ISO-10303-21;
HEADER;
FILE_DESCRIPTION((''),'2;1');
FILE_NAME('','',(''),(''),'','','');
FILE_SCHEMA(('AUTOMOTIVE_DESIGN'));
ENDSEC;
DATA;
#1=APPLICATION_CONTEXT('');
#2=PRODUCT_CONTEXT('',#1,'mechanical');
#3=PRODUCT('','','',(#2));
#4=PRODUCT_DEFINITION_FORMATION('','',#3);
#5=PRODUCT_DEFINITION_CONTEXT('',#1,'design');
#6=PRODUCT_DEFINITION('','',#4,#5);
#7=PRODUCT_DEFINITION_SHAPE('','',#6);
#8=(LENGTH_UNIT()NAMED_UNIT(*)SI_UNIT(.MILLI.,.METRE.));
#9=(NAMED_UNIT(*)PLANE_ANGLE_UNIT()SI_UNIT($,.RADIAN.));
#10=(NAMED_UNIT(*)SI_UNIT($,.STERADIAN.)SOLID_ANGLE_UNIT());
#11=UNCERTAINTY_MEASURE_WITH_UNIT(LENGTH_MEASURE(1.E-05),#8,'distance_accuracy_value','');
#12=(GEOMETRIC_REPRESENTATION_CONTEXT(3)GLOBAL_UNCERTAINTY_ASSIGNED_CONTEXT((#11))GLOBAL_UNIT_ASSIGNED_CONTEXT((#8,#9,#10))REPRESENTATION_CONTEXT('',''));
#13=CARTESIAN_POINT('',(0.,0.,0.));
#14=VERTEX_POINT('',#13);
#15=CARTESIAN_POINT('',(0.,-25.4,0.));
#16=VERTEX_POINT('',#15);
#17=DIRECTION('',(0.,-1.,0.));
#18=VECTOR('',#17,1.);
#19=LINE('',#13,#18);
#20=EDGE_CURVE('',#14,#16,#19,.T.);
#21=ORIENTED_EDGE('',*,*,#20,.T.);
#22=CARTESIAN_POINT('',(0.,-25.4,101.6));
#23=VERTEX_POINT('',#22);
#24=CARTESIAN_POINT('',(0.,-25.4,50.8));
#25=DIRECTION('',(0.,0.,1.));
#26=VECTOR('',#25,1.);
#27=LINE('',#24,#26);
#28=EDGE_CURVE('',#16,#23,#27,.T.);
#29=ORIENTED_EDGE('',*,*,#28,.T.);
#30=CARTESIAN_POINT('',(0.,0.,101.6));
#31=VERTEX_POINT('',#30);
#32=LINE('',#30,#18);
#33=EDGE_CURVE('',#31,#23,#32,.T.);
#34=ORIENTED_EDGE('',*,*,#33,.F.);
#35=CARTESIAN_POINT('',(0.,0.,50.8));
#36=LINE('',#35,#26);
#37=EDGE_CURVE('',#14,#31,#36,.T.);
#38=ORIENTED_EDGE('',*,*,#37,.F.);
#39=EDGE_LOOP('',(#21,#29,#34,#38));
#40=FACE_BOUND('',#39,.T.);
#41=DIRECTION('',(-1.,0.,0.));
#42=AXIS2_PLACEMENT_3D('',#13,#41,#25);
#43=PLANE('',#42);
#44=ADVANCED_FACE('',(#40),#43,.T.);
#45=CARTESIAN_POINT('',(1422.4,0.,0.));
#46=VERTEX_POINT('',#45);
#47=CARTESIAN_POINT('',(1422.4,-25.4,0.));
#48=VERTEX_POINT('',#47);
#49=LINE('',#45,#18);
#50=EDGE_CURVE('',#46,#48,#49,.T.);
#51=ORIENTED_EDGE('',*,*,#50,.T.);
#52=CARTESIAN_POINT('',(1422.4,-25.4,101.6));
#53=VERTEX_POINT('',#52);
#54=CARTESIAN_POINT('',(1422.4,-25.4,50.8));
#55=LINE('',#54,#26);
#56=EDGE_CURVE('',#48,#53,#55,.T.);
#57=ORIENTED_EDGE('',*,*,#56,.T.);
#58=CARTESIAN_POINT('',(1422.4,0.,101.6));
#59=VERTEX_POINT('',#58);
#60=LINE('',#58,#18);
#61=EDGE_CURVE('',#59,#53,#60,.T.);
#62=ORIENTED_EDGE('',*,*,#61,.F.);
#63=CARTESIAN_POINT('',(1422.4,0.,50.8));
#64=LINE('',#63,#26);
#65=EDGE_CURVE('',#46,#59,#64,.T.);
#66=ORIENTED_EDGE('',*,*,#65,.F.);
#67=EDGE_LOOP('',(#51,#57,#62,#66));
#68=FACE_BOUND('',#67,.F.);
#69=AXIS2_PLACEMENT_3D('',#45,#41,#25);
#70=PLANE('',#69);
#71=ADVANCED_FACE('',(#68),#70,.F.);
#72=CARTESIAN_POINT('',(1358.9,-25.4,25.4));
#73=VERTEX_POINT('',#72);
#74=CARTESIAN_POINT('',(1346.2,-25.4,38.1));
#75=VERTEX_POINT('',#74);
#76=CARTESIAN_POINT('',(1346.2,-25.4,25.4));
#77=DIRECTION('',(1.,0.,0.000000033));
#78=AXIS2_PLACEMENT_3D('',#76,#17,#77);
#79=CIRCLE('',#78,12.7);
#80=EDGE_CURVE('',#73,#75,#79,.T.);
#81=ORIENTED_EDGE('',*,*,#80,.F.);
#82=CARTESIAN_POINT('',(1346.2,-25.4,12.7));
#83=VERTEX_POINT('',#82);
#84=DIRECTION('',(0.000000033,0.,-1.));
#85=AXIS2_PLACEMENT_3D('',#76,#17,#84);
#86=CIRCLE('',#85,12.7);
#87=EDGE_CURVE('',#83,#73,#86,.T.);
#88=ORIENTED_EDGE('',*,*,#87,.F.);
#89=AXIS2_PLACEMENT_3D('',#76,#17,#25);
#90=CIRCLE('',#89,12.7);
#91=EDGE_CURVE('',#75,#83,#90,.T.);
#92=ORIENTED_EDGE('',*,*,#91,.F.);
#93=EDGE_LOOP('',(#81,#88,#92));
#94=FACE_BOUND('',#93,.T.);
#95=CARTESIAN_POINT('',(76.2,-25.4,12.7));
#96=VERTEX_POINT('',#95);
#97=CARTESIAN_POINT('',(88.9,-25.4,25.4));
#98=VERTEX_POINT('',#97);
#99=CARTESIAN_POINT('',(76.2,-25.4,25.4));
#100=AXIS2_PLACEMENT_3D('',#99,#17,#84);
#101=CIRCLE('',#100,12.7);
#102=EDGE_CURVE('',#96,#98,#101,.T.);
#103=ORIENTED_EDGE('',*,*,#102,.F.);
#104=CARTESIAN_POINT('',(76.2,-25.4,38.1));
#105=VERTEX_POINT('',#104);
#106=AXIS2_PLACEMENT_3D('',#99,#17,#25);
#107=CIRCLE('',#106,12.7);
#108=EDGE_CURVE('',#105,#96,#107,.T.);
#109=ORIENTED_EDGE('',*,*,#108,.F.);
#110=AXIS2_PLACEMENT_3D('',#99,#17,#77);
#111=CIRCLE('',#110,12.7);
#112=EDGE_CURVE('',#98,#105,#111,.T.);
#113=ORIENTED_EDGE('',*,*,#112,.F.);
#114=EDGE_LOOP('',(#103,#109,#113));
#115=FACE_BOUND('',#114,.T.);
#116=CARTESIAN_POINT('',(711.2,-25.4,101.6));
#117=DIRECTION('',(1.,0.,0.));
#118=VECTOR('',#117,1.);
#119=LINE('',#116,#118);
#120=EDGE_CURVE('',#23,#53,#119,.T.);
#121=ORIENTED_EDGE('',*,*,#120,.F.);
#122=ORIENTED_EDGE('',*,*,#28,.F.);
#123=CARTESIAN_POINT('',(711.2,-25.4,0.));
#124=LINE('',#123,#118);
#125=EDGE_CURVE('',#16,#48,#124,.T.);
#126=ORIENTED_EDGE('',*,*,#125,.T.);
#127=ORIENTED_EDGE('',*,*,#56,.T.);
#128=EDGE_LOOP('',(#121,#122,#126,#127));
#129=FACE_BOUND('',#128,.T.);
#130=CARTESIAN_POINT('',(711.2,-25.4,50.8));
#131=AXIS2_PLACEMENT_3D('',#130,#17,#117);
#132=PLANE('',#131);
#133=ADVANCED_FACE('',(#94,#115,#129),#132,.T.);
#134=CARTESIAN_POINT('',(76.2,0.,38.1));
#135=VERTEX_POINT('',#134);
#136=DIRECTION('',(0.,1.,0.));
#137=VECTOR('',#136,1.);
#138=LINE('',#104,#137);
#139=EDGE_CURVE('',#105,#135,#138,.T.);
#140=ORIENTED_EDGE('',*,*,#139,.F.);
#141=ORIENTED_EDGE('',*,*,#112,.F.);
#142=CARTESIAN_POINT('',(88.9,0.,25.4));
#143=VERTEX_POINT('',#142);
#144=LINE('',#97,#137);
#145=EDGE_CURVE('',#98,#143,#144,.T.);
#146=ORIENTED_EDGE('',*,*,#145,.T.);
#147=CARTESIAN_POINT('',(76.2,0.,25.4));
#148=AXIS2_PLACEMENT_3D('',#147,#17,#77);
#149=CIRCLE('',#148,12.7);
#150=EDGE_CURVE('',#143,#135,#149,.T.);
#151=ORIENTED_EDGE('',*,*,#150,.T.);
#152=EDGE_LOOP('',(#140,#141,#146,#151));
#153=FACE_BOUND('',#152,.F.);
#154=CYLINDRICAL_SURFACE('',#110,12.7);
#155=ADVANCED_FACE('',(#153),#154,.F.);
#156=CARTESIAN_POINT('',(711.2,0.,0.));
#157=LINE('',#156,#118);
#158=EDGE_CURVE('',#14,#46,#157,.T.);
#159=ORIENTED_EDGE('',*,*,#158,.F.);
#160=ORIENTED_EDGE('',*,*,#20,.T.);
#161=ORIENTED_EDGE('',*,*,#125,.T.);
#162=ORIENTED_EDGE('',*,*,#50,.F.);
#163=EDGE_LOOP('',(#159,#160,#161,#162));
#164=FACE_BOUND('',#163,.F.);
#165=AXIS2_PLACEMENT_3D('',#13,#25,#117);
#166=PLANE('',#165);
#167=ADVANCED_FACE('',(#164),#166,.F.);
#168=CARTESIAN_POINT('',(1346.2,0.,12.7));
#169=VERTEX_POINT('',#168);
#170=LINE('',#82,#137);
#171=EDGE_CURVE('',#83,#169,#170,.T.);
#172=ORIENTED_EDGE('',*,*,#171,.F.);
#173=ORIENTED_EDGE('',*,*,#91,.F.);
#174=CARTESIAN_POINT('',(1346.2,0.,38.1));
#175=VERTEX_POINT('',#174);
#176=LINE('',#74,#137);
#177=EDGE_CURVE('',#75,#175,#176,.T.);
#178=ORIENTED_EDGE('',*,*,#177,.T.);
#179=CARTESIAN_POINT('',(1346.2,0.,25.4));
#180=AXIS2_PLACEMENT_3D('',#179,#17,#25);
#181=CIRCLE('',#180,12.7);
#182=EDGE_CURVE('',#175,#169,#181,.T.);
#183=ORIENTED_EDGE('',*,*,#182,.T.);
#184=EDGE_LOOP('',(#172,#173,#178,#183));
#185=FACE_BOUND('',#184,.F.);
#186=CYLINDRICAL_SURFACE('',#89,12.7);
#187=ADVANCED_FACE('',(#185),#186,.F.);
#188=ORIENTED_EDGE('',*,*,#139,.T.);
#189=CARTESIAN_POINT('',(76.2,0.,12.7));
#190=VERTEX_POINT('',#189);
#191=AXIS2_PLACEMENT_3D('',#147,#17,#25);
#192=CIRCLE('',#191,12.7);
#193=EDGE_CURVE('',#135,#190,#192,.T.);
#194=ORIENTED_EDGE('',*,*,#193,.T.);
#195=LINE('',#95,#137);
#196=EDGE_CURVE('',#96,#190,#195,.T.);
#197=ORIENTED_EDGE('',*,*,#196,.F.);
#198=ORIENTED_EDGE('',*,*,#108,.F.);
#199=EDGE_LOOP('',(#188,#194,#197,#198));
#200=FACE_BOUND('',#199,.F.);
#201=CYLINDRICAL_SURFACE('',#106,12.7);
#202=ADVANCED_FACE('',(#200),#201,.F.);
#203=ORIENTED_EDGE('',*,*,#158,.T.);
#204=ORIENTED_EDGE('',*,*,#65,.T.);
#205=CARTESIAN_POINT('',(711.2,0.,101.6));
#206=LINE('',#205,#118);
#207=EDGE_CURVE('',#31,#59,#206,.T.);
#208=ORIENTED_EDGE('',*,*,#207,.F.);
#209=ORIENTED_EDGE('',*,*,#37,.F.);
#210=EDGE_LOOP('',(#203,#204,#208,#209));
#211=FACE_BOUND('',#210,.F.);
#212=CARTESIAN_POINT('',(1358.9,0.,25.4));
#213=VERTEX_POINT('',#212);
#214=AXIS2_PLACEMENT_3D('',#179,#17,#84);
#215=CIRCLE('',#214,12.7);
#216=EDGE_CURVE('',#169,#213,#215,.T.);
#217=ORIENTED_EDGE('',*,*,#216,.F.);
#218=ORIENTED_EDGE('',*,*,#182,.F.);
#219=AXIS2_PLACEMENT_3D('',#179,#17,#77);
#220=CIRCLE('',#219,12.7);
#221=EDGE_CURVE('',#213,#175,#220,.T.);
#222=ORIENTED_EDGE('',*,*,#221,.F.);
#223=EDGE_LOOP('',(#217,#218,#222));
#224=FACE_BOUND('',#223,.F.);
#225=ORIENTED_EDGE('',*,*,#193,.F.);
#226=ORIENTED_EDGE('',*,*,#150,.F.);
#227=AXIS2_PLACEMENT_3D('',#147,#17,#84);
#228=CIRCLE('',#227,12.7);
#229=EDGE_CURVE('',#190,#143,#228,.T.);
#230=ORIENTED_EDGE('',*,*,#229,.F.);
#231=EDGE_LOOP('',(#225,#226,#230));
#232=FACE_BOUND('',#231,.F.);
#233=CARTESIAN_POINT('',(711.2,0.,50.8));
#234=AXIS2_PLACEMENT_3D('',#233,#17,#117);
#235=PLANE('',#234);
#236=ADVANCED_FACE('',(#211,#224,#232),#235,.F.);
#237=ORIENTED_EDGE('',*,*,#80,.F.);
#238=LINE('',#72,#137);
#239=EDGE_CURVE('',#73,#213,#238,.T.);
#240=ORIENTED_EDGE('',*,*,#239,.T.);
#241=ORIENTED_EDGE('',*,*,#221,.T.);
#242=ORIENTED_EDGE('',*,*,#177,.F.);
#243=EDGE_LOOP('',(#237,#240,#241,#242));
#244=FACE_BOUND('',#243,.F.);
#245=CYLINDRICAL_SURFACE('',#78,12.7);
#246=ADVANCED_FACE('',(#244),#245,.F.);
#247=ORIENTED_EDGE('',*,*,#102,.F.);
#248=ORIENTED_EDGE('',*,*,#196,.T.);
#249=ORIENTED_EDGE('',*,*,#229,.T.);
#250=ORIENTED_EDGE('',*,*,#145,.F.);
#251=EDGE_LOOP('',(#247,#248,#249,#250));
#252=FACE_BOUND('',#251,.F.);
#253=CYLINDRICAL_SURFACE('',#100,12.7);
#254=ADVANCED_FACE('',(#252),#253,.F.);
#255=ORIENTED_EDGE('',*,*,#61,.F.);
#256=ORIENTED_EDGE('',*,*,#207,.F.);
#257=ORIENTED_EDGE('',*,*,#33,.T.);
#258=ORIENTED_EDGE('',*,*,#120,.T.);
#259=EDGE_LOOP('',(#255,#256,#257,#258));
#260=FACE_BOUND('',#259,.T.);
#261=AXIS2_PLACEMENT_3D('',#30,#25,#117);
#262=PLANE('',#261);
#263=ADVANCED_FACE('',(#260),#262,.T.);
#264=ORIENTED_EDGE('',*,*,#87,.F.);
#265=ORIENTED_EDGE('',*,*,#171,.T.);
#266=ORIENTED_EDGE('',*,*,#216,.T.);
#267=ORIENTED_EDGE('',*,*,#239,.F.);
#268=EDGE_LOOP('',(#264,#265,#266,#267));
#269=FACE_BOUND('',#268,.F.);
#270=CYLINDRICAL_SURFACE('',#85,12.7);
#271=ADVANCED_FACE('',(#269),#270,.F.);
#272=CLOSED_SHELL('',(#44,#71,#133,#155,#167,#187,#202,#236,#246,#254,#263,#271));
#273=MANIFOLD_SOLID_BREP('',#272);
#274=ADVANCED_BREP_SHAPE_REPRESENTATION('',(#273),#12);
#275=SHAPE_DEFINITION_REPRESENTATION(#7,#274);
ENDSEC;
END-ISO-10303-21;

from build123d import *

# Parameters (mm, degrees)
F0_W     = 1422.4
F0_H     = 101.6
F1_DEPTH = 25.4
F3_DEPTH = 25.401


with BuildPart() as f1:
    # F0 (on Front) → F1 (new body)
    with BuildSketch(Plane.XZ):
        with Locations((711.2, 50.8)):
            Rectangle(F0_W, F0_H)
    extrude(amount=F1_DEPTH)

    # F2 (on face) → F3 (cut, through all)
    with BuildSketch(Plane.XZ.offset(25.4)):
        with BuildLine():
            ThreePointArc((88.9, 25.4), (85.180256, 34.380256), (76.2, 38.1))
            Line((76.2, 38.1), (76.2, 12.7))
            ThreePointArc((76.2, 12.7), (85.180256, 16.419744), (88.9, 25.4))
        make_face()
        with BuildLine():
            Line((76.2, 12.7), (76.2, 38.1))
            ThreePointArc((76.2, 38.1), (63.5, 25.4), (76.2, 12.7))
        make_face()
        with BuildLine():
            ThreePointArc((1358.9, 25.4), (1355.180256, 34.380256), (1346.2, 38.1))
            Line((1346.2, 38.1), (1346.2, 12.7))
            ThreePointArc((1346.2, 12.7), (1355.180256, 16.419744), (1358.9, 25.4))
        make_face()
        with BuildLine():
            Line((1346.2, 12.7), (1346.2, 38.1))
            ThreePointArc((1346.2, 38.1), (1333.5, 25.4), (1346.2, 12.7))
        make_face()
    extrude(amount=-F3_DEPTH, mode=Mode.SUBTRACT)


solid = f1.part
